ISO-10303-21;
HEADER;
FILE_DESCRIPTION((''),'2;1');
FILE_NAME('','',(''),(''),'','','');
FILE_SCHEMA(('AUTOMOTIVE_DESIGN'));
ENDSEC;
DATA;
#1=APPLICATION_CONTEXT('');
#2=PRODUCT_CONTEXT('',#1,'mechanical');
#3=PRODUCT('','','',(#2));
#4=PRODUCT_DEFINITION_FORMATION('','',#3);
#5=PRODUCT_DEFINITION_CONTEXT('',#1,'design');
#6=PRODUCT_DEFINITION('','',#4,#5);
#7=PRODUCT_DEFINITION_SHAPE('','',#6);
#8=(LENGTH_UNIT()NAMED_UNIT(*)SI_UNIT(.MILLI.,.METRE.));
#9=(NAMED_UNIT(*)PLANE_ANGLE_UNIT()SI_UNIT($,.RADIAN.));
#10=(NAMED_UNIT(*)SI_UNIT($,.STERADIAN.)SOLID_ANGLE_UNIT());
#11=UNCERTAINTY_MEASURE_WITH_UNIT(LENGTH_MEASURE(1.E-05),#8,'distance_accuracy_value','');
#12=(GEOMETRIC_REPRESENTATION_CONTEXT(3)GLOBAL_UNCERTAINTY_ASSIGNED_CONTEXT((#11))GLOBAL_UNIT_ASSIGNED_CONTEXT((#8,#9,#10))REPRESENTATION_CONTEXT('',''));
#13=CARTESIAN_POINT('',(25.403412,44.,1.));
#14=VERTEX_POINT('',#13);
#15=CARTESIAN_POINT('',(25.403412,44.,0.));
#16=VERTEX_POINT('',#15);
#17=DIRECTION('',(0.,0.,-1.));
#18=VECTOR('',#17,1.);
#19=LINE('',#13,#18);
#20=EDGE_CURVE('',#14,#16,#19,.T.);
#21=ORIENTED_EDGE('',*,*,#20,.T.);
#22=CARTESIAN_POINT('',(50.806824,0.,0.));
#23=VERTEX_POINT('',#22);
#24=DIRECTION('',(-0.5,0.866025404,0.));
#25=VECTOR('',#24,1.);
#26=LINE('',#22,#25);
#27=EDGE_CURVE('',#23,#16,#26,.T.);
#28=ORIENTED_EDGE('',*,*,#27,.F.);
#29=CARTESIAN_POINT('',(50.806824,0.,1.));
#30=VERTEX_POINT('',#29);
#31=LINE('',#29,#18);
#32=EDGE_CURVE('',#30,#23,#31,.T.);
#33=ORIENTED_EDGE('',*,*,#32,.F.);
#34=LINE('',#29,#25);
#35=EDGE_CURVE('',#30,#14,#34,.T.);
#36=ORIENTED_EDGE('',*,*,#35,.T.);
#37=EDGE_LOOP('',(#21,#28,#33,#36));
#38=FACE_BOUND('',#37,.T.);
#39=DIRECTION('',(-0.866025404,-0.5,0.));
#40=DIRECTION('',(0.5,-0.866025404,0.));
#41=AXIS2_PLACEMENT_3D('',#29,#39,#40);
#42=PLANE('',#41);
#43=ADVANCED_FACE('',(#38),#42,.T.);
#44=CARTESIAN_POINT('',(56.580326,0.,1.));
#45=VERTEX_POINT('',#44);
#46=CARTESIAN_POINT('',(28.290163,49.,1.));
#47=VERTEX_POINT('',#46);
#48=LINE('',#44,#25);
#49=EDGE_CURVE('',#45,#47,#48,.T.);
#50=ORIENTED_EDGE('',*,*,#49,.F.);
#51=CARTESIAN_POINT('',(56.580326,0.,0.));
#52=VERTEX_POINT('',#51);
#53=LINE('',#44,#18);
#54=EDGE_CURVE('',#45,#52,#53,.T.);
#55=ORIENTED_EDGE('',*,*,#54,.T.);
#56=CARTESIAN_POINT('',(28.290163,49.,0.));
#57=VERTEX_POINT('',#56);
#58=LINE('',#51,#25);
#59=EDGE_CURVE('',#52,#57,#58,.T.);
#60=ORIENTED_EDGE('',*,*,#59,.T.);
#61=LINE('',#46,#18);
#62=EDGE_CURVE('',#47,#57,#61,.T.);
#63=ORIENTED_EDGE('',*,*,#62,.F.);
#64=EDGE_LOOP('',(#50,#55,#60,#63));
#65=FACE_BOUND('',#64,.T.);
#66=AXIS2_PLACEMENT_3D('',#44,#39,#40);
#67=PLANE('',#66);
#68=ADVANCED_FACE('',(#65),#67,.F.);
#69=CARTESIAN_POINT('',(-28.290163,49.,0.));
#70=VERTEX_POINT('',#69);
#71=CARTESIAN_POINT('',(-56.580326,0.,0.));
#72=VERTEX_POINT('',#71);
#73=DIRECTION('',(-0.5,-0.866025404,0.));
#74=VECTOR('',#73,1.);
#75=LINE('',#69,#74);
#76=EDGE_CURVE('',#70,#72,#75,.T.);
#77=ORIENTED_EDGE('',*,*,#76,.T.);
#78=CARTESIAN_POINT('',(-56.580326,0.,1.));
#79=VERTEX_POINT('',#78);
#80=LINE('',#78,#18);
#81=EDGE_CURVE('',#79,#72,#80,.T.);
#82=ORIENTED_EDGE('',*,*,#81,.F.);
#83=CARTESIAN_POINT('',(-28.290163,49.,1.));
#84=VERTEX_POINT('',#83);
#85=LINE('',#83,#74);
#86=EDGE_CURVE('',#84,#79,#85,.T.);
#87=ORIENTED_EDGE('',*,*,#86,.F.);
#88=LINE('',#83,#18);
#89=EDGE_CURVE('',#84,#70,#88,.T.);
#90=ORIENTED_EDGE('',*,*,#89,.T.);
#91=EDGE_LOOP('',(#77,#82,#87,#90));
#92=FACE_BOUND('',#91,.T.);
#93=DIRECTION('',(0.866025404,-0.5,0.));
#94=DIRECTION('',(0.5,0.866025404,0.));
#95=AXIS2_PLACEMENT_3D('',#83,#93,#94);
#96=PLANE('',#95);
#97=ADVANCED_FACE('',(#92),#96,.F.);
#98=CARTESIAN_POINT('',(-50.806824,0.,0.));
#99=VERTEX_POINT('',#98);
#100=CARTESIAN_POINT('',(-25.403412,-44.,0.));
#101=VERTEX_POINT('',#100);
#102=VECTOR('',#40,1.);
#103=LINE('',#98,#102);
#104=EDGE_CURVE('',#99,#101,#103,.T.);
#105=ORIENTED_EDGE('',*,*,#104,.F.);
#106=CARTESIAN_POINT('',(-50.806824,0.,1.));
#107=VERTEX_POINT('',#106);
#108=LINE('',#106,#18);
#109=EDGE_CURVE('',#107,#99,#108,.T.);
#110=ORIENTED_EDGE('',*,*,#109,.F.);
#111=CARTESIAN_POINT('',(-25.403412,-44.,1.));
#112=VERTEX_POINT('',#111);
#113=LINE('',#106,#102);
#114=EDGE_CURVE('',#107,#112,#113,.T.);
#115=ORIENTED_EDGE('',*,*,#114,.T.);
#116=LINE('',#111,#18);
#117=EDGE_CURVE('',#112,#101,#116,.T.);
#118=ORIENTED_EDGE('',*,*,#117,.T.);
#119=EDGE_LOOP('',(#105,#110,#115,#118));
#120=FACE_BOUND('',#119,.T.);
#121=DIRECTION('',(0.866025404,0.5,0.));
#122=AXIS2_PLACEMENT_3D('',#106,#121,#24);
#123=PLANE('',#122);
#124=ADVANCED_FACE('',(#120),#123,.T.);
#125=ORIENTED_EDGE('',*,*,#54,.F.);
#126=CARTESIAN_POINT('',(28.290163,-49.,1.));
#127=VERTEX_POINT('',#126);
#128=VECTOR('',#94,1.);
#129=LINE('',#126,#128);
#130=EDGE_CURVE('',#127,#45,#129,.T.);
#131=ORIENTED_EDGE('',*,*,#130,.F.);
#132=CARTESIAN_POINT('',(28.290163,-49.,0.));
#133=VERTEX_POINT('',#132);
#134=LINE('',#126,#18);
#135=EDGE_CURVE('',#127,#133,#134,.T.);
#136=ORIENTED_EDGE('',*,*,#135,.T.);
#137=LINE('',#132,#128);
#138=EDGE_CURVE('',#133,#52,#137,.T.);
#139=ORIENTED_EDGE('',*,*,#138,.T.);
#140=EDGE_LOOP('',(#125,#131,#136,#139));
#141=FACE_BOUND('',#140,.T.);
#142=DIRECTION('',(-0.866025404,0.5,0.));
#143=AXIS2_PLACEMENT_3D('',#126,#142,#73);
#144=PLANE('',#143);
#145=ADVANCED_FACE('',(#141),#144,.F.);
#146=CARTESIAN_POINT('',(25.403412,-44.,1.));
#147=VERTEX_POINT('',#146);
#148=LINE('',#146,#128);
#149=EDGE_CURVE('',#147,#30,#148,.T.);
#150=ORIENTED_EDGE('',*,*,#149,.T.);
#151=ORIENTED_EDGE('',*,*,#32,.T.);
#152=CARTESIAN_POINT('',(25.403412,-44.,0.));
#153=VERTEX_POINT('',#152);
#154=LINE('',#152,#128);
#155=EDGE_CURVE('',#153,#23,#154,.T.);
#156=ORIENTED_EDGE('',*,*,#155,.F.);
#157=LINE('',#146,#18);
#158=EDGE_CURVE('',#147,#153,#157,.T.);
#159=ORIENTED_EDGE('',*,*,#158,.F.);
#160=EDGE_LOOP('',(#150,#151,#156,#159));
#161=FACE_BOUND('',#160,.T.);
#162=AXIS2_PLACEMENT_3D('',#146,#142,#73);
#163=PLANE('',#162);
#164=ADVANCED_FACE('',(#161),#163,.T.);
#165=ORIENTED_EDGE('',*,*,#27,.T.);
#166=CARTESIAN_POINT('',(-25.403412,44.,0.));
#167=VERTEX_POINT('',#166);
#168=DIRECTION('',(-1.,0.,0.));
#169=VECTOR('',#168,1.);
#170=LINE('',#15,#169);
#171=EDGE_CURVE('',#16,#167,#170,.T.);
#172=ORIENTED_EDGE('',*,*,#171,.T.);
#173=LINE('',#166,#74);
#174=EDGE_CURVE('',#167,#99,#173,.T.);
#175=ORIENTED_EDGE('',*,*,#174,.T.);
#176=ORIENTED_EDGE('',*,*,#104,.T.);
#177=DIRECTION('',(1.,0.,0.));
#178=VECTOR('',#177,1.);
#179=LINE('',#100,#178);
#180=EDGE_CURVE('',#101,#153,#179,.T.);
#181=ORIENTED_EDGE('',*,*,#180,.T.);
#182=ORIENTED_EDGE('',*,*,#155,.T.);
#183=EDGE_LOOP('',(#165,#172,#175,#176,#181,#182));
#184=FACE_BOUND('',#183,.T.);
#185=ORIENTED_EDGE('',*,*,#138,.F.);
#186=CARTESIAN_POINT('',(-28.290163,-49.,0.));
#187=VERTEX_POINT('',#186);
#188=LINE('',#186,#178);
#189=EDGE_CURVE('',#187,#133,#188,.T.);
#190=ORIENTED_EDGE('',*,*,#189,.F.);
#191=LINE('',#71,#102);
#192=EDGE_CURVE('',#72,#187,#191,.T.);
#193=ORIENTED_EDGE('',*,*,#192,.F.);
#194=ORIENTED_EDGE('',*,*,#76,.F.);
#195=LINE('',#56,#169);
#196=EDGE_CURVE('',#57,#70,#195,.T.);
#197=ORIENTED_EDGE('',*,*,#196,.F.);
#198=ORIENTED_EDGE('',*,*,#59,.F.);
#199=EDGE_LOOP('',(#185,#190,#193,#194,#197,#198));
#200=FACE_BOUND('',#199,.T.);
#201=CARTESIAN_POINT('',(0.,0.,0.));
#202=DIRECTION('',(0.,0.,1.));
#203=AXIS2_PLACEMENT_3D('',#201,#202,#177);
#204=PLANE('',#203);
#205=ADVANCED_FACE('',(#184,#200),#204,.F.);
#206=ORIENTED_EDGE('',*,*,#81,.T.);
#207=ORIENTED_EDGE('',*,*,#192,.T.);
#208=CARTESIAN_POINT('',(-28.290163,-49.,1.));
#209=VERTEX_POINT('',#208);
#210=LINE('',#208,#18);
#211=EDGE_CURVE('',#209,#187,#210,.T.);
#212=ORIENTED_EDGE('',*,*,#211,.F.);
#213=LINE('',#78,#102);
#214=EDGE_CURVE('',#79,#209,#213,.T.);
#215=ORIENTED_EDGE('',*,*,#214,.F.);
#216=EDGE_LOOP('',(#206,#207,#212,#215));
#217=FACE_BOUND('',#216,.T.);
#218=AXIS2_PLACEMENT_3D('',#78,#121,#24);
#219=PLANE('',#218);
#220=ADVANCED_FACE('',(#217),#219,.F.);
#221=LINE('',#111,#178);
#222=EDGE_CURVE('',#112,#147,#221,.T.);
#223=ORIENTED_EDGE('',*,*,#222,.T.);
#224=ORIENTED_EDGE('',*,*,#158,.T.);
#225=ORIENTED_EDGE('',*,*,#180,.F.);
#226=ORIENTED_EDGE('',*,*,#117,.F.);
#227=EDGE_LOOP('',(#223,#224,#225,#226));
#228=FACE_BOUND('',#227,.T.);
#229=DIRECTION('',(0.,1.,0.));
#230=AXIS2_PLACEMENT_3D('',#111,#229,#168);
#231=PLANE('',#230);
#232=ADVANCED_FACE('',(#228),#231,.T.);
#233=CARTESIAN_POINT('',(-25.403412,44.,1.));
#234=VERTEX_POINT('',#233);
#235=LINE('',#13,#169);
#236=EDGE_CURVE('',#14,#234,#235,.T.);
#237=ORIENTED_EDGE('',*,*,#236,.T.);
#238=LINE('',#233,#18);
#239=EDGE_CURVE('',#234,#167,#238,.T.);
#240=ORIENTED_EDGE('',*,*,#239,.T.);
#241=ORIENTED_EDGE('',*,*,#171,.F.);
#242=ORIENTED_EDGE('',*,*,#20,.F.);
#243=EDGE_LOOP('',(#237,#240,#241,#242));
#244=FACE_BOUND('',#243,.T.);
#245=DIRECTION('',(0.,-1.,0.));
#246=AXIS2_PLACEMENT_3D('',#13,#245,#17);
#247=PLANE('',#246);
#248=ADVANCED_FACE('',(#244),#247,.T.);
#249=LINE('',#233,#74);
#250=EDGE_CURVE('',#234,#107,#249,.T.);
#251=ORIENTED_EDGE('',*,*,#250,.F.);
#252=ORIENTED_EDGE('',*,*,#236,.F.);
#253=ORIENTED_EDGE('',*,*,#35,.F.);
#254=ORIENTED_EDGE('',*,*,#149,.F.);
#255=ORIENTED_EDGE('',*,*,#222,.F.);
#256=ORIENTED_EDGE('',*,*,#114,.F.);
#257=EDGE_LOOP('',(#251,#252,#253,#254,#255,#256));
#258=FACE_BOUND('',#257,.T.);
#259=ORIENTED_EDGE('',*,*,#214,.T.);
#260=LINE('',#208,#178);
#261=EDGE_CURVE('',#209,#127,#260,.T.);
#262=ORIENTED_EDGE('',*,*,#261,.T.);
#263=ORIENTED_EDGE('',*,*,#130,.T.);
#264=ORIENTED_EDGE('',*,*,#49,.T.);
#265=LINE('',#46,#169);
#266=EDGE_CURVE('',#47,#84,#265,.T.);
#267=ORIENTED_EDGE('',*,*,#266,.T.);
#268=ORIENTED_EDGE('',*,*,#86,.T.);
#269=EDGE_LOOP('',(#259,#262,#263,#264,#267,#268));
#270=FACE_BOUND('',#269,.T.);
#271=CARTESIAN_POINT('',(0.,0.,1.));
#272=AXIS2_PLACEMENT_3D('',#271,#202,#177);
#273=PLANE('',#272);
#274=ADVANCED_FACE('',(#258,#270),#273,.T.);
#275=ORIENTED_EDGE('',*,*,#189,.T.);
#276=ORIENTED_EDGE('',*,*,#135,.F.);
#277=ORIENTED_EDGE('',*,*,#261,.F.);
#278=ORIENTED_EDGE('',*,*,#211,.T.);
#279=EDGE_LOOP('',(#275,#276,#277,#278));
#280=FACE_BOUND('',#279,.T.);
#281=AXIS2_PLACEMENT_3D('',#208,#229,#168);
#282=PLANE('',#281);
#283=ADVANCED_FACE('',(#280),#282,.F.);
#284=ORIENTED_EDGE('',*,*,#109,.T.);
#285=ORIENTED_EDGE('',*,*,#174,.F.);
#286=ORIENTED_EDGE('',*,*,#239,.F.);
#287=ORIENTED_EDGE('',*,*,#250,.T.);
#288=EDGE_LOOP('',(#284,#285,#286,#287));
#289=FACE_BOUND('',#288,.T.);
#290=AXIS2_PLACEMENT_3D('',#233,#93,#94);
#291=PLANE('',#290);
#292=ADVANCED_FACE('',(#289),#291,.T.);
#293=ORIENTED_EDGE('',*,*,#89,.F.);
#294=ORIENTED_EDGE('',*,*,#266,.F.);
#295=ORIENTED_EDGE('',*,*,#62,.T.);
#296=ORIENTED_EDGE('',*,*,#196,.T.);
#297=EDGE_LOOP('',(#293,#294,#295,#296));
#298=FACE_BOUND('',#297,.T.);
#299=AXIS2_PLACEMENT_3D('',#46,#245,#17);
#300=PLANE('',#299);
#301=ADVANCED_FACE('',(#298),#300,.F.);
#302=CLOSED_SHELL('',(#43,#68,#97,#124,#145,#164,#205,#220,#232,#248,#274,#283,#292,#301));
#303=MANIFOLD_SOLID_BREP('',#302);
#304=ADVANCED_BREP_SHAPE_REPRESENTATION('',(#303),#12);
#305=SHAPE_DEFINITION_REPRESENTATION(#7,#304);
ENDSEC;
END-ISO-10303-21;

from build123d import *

# Parameters (mm, degrees)
BOSS_EXTRU_1_DEPTH = 1


with BuildPart() as part:
    # Esquisse1 → Boss.-Extru.1 (new body)
    with BuildSketch(Plane.XY):
        Polygon((56.580326381, 0), (28.29016319, 49), (-28.29016319, 49), (-56.580326381, 0), (-28.29016319, -49), (28.29016319, -49), align=None)
        Polygon((50.806823689, 0), (25.403411844, 44), (-25.403411844, 44), (-50.806823689, 0), (-25.403411844, -44), (25.403411844, -44), align=None, mode=Mode.SUBTRACT)
    extrude(amount=BOSS_EXTRU_1_DEPTH)


solid = part.part
